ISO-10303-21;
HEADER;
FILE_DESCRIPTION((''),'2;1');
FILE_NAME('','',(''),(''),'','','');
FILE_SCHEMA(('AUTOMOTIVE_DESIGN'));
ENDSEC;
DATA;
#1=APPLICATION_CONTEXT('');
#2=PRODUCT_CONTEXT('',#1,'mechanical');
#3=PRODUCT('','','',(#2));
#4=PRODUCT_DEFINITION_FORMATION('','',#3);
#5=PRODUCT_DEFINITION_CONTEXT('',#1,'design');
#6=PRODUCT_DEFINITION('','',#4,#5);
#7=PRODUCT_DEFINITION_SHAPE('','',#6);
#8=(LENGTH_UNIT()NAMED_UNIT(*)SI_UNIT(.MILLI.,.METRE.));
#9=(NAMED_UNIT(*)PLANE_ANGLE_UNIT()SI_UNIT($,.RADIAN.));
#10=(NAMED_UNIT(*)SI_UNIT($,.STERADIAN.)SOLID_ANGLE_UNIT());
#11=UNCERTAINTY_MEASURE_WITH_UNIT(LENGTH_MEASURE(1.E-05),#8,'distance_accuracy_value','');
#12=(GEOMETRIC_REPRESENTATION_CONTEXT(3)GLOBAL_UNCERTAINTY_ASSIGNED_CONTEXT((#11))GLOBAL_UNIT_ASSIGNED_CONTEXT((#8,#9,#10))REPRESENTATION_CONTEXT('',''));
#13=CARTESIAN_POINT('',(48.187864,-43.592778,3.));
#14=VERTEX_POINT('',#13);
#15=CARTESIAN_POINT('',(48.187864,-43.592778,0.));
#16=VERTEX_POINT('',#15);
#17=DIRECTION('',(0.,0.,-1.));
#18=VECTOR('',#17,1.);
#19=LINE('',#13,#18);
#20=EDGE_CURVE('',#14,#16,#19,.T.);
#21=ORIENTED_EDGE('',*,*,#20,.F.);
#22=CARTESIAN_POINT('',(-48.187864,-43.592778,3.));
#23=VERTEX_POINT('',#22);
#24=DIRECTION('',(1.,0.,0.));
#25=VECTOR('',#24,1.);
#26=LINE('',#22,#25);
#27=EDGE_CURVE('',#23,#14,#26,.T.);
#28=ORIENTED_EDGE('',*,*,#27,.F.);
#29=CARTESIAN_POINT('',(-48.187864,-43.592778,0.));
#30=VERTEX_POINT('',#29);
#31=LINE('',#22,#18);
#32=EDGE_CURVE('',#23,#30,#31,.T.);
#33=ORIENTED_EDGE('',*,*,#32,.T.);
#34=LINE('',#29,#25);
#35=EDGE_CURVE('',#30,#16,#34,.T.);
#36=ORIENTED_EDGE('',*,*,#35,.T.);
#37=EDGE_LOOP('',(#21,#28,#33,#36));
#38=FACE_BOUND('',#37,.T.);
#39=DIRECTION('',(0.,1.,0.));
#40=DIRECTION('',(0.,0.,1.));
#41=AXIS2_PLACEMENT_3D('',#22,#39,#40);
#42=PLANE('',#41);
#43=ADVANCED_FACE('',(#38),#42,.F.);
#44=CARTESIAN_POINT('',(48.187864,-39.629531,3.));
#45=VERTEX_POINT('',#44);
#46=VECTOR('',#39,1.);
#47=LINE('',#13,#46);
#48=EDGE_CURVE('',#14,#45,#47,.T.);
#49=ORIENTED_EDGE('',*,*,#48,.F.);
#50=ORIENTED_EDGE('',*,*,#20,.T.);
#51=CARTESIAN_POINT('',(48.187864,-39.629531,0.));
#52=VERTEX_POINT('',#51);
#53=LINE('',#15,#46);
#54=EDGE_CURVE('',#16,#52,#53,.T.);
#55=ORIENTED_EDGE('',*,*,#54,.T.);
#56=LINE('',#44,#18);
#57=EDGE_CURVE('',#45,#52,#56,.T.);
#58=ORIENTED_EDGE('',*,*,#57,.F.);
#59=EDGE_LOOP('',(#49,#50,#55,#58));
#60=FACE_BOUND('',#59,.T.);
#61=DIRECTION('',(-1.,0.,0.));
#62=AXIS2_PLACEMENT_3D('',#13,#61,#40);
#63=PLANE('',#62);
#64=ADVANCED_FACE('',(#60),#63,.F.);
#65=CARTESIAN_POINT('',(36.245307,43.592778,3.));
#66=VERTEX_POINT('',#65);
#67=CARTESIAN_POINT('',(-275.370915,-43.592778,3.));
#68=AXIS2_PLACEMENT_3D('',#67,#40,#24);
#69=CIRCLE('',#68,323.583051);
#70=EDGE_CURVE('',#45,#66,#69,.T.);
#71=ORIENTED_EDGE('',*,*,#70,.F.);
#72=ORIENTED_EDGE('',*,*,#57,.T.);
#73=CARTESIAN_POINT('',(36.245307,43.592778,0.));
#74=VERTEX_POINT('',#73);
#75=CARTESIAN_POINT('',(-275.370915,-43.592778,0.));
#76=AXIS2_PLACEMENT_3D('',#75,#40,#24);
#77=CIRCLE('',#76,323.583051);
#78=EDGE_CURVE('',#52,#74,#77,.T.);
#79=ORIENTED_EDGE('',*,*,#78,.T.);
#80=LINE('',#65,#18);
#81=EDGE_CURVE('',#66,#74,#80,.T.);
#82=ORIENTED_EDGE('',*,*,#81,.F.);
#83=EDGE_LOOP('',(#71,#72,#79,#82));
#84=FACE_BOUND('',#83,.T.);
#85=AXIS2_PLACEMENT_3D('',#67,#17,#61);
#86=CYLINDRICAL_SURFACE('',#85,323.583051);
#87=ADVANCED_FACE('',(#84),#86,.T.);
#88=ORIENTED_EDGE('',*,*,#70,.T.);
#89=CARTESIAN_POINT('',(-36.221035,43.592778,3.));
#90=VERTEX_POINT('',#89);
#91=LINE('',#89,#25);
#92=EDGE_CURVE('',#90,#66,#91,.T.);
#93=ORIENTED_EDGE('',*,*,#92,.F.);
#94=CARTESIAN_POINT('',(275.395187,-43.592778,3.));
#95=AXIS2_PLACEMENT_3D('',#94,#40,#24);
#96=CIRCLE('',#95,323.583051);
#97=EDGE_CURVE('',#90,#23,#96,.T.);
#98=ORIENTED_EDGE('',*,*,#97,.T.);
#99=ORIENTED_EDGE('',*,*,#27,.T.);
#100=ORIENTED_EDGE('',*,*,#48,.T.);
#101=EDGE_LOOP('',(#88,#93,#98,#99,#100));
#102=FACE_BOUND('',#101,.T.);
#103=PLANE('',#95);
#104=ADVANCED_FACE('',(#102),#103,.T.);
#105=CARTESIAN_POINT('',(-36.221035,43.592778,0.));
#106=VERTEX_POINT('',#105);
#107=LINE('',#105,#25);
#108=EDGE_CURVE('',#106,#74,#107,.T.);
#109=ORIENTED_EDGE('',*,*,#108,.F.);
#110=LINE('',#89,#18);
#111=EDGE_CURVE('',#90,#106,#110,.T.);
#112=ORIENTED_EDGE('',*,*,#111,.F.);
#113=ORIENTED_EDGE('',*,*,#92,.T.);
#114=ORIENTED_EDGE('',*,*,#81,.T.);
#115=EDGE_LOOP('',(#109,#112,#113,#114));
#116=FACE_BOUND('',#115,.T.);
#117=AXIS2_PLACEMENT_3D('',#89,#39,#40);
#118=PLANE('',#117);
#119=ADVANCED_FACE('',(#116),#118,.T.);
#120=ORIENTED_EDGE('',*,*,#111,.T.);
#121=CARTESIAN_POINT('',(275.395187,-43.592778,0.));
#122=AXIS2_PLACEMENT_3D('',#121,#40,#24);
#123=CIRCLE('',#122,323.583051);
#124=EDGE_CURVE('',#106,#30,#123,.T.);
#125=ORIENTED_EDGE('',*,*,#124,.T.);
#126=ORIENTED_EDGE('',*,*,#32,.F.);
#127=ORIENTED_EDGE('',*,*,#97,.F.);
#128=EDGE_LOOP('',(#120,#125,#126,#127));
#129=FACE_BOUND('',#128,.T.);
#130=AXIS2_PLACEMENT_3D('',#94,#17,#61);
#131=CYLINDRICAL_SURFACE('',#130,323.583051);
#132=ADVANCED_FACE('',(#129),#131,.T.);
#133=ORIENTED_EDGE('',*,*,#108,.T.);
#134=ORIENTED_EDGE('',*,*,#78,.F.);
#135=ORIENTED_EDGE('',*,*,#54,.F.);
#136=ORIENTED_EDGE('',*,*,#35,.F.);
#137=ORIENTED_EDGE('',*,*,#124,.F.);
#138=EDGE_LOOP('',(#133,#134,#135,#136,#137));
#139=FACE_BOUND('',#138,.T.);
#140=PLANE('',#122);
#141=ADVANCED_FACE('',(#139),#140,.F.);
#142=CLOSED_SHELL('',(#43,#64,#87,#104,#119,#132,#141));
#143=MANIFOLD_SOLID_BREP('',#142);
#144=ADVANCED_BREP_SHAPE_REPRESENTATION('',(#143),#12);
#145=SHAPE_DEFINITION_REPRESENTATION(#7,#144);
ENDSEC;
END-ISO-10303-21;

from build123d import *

# Parameters (mm, degrees)
EXTRUDE_1_DEPTH = 3


with BuildPart() as part:
    # Эскиз1 → Бобышка-Вытянуть1 (new body)
    with BuildSketch(Plane.XY):
        with BuildLine():
            Line((-48.187864079, -43.592778028), (48.187864079, -43.592778028))
            Line((48.187864079, -43.592778028), (48.187864079, -39.62953127))
            ThreePointArc((48.187864079, -39.62953127), (44.93098729, 2.371145135), (36.245306749, 43.592778028))
            Line((36.245306749, 43.592778028), (-36.221034906, 43.592778028))
            ThreePointArc((-36.221034906, 43.592778028), (-45.182197414, 0.408716791), (-48.187864079, -43.592778028))
        make_face()
    extrude(amount=EXTRUDE_1_DEPTH)


solid = part.part
